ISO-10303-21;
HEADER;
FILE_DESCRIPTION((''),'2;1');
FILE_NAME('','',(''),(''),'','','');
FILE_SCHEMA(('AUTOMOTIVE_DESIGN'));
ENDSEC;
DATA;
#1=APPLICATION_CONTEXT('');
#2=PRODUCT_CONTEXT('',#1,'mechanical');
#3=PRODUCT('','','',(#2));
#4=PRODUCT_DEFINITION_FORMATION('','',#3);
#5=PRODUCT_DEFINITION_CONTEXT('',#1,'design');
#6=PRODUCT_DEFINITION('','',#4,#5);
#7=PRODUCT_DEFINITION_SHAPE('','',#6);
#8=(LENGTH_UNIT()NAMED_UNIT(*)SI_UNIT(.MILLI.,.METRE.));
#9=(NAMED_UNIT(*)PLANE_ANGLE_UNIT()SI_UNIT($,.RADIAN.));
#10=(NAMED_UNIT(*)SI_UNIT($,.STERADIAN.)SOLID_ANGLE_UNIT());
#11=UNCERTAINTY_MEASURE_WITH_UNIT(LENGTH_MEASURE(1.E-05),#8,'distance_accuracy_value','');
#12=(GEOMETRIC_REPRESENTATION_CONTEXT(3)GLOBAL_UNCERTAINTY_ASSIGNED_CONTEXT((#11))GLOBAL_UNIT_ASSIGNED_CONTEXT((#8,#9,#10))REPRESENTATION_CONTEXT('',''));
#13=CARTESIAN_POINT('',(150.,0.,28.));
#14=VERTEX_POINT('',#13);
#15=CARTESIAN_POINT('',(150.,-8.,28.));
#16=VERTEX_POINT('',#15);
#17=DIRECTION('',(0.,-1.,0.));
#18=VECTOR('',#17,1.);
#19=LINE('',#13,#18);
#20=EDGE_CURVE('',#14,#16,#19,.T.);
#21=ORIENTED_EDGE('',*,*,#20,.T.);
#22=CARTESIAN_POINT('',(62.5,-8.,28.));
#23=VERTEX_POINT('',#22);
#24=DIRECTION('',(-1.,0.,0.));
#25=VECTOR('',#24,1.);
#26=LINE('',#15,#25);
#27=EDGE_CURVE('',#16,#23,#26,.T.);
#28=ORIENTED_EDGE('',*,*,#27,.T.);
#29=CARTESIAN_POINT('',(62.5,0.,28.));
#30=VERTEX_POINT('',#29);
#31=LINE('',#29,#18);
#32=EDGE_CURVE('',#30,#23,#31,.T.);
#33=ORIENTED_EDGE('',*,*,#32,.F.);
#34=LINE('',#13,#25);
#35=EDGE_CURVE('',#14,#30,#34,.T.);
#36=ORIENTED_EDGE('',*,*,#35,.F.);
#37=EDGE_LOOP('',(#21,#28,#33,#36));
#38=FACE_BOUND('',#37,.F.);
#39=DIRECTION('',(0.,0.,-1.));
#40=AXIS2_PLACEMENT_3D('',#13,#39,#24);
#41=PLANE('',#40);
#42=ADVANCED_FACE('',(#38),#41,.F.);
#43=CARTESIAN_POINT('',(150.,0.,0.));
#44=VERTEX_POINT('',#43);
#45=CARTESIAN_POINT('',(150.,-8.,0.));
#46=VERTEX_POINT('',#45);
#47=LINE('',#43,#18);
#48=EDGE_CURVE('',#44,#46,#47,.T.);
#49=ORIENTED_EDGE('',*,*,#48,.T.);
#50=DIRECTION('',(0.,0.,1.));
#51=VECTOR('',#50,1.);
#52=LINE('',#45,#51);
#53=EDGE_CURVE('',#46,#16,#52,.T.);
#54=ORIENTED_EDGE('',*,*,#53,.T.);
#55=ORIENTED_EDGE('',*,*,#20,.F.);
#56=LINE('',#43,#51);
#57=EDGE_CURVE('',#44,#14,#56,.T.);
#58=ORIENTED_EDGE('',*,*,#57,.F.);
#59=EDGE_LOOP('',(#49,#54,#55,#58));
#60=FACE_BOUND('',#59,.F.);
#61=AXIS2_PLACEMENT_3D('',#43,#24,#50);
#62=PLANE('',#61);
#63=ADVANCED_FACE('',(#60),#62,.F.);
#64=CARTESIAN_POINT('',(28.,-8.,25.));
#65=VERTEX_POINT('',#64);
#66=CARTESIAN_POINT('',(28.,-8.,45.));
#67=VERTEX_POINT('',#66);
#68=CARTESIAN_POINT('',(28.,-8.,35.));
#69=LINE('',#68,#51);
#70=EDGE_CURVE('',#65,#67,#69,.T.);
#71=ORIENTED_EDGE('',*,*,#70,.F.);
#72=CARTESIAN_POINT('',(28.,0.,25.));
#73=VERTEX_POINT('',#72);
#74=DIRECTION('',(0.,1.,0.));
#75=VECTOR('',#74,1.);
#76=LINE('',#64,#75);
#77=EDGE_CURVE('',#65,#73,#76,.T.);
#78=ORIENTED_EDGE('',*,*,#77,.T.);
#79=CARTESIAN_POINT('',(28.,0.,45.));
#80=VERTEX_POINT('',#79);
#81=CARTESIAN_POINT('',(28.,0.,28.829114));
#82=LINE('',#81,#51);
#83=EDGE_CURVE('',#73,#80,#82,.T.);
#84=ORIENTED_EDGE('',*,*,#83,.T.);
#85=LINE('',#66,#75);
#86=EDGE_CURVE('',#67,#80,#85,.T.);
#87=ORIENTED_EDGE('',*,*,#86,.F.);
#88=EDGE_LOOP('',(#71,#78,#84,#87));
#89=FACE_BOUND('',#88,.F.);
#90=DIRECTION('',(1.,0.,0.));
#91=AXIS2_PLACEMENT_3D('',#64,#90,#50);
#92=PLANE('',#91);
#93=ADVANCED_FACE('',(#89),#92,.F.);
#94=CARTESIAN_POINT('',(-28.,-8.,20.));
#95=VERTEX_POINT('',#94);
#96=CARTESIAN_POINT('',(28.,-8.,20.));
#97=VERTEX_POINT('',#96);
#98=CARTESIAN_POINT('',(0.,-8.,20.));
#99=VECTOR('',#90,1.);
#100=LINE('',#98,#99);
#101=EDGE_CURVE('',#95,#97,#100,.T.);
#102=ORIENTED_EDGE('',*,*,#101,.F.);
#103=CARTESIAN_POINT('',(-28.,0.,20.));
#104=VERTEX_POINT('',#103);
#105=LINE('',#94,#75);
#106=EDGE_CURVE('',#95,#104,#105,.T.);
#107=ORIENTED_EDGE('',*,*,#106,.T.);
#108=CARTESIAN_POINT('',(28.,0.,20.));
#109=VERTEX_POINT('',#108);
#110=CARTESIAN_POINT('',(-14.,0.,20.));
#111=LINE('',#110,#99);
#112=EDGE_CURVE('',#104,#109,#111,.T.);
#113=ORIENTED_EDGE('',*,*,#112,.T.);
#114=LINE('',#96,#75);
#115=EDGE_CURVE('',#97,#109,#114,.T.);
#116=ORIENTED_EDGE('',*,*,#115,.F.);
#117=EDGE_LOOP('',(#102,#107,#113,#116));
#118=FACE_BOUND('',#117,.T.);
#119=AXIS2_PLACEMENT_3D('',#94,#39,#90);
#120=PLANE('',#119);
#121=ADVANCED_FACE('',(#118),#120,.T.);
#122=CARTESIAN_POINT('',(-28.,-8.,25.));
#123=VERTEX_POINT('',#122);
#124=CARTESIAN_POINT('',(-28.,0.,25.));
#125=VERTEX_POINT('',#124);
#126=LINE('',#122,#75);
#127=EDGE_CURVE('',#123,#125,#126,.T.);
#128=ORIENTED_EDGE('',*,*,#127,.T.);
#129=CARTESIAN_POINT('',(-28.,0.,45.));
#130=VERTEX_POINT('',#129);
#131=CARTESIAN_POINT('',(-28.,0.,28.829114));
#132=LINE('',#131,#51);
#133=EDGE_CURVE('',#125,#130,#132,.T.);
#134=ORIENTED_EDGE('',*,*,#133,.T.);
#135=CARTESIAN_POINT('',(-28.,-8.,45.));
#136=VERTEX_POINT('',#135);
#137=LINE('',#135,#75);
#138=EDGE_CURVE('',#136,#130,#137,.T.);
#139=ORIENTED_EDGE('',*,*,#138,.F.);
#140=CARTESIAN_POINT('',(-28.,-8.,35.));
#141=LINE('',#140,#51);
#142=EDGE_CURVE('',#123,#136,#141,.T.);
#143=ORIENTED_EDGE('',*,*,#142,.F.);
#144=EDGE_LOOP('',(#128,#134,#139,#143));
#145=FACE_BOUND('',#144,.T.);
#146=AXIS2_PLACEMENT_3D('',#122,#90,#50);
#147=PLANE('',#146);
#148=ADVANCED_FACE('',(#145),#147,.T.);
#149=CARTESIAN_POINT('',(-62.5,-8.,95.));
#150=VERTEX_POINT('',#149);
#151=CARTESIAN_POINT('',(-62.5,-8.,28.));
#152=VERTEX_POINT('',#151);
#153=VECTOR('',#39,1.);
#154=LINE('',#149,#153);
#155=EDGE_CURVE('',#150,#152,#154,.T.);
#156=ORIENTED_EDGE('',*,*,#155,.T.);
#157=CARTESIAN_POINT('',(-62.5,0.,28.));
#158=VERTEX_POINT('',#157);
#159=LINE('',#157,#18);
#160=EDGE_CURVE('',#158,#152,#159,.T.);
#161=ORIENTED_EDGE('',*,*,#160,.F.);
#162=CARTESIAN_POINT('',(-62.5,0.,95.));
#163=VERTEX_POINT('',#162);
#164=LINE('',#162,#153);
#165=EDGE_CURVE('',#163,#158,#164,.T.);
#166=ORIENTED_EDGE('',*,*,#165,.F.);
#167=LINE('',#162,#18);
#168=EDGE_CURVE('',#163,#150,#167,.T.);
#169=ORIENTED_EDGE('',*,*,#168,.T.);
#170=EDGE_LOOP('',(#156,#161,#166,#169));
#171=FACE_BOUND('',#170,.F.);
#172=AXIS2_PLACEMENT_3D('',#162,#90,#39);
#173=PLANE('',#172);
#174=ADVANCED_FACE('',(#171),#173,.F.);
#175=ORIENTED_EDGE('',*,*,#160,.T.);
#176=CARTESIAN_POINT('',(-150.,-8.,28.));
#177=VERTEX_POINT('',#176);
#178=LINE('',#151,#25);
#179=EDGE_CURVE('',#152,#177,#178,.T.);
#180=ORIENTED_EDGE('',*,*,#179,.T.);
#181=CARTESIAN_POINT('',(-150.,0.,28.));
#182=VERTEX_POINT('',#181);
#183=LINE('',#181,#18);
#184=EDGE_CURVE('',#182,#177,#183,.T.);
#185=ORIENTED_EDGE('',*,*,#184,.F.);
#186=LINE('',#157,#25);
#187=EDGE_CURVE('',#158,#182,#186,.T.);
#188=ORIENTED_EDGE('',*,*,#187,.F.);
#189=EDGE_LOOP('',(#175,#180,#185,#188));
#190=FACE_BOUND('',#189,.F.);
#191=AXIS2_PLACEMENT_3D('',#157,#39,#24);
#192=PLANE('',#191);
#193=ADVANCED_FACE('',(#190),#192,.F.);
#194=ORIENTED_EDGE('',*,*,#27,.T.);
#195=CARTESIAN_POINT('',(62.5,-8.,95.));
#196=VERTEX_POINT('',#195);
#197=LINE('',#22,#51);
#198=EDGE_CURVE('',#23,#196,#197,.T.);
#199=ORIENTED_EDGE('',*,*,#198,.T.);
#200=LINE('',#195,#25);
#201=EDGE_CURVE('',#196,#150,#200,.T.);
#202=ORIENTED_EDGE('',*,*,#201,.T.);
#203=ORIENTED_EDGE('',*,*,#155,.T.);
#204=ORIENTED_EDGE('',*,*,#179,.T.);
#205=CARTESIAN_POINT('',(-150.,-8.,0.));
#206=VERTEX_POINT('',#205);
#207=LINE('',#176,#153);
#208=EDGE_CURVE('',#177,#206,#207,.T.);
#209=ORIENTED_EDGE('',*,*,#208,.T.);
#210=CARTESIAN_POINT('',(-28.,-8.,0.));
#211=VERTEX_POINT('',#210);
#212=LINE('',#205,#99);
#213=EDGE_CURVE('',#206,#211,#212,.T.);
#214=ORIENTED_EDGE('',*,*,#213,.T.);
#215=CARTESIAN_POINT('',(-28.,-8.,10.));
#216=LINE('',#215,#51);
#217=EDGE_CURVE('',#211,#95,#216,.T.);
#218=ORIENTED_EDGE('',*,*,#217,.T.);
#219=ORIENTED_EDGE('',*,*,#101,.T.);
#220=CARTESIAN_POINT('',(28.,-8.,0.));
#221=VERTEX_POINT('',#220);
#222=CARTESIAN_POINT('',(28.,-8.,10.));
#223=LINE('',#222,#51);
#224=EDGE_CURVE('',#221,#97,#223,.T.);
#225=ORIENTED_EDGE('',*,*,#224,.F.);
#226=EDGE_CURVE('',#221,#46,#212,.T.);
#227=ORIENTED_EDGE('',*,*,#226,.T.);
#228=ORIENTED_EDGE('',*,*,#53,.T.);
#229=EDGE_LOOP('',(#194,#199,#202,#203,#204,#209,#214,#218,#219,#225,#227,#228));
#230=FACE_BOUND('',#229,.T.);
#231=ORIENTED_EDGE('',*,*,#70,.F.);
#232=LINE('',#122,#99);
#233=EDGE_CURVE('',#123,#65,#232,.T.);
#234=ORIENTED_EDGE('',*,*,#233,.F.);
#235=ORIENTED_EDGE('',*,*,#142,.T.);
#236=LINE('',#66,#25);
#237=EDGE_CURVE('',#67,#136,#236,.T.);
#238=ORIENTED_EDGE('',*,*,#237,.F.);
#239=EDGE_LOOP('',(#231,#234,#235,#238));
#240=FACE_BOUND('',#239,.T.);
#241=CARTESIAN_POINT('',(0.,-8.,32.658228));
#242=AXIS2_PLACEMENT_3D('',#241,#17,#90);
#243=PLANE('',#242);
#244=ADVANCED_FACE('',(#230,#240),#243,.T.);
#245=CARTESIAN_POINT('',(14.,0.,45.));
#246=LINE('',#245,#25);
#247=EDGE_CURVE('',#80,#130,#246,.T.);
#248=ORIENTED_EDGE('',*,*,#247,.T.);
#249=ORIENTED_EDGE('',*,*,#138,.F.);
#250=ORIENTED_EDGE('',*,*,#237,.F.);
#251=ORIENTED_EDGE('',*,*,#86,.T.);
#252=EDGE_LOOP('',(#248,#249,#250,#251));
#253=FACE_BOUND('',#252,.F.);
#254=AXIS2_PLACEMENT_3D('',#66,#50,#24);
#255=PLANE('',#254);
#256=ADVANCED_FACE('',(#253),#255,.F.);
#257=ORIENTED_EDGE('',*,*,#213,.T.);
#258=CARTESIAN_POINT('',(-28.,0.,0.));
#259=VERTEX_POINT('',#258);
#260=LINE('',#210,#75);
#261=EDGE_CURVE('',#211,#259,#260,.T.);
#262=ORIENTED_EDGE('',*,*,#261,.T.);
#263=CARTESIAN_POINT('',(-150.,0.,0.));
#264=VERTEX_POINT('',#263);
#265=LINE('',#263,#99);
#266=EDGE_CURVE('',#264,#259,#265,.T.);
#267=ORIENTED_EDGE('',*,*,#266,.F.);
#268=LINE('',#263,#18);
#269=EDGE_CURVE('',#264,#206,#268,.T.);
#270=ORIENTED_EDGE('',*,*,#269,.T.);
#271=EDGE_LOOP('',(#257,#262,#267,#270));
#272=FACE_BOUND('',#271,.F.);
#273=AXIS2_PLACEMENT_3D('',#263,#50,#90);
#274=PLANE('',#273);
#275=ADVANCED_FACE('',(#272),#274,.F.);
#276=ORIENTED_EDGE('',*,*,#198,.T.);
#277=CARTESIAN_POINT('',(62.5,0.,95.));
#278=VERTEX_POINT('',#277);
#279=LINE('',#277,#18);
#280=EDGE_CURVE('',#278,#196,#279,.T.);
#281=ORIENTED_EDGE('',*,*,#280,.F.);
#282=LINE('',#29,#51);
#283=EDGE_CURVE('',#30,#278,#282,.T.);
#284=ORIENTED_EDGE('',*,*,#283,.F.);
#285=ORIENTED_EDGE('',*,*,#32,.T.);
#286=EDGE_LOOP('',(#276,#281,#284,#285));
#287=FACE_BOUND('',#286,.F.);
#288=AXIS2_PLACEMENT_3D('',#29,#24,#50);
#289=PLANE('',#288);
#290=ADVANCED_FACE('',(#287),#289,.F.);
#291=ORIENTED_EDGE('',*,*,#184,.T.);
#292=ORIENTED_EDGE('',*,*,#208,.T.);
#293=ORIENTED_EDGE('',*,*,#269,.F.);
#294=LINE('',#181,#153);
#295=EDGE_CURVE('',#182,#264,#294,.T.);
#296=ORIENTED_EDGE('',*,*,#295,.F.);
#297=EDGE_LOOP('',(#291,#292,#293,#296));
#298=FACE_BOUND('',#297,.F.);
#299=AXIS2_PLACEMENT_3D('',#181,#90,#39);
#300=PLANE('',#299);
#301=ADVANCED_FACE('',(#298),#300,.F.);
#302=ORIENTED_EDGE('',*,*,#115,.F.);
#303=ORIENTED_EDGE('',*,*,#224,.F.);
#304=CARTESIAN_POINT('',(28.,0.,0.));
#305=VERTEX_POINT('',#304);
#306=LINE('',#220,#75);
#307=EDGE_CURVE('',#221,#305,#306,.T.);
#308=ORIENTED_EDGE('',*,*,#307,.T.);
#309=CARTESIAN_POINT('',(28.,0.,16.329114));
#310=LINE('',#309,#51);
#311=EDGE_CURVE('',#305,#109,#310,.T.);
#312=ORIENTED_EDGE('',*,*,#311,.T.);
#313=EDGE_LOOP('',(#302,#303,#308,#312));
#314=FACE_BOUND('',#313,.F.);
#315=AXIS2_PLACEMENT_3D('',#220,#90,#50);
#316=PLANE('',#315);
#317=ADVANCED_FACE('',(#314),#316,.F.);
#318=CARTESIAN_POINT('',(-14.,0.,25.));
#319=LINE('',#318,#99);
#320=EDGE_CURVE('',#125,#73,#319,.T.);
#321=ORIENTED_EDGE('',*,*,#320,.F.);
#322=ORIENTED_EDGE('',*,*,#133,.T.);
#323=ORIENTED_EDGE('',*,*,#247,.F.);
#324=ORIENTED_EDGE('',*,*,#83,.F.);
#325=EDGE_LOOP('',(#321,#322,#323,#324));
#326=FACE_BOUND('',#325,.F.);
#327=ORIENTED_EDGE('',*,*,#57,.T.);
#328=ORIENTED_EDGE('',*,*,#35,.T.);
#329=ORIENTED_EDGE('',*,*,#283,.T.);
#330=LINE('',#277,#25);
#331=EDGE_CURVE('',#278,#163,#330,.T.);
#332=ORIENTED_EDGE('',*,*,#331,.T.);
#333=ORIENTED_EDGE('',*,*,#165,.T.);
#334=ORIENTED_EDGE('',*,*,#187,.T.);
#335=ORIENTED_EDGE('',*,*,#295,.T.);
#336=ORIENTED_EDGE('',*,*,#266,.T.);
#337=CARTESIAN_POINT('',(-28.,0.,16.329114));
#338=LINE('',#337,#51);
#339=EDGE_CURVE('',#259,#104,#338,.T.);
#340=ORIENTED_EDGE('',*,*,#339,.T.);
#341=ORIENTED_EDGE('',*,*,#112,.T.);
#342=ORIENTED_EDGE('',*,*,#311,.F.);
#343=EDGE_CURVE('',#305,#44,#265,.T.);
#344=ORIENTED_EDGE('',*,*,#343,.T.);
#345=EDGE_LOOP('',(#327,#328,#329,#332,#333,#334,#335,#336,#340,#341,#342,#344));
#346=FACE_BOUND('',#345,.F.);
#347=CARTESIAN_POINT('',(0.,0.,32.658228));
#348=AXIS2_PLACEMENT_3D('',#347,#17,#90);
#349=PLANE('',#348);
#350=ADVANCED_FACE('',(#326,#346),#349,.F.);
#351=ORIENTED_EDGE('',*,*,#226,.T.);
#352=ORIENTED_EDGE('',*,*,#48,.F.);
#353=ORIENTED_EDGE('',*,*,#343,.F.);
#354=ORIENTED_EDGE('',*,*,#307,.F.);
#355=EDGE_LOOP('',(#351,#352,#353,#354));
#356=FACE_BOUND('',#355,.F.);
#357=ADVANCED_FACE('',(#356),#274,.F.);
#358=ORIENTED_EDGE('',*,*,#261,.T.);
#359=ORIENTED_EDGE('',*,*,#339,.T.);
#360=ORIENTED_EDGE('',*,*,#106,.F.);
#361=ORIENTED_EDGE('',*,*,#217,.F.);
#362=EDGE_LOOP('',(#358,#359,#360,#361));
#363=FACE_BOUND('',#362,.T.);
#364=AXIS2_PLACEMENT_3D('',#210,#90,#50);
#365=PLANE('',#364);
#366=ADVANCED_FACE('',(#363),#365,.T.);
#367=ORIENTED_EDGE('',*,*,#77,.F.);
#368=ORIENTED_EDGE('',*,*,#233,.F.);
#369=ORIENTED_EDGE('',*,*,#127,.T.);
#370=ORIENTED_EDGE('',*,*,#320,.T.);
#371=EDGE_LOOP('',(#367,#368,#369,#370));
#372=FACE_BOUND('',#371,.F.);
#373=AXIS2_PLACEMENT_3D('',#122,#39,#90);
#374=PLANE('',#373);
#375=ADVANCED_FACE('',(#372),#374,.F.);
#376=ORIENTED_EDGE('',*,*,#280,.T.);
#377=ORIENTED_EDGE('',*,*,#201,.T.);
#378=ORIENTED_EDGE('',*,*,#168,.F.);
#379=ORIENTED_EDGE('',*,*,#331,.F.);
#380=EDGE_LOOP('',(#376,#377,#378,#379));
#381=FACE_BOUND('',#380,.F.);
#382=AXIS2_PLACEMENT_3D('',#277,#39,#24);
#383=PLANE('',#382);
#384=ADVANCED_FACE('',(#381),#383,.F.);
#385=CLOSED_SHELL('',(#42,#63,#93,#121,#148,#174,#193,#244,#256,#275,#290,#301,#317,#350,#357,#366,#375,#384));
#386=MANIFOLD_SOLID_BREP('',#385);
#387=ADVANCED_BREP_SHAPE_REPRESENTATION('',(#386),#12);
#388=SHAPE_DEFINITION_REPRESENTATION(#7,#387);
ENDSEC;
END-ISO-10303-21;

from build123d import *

# Parameters (mm, degrees)
F1_DEPTH = 8
F2_W     = 56
F2_H     = 20
F3_DEPTH = 25
F5_W     = 28
F5_H     = 20
F6_DEPTH = 25


with BuildPart() as f1:
    # F0 (on Front) → F1 (new body)
    with BuildSketch(Plane.XZ):
        Polygon((-150, 0), (0, 0), (150, 0), (150, 28), (62.5, 28), (62.5, 95), (-62.5, 95), (-62.5, 28), (-150, 28), align=None)
    extrude(amount=F1_DEPTH)

    # F2 (on face) → F3 (cut)
    with BuildSketch(Plane.XZ.offset(8)):
        with Locations((0, 10)):
            Rectangle(F2_W, F2_H)
    extrude(amount=-F3_DEPTH, mode=Mode.SUBTRACT)

    # F5 (on face) → F6 (cut)
    with BuildSketch(Plane.XZ.offset(8)):
        with Locations((-14, 35)):
            Rectangle(F5_W, F5_H)
        with Locations((14, 35)):
            Rectangle(F5_W, F5_H)
    extrude(amount=-F6_DEPTH, mode=Mode.SUBTRACT)


solid = f1.part
